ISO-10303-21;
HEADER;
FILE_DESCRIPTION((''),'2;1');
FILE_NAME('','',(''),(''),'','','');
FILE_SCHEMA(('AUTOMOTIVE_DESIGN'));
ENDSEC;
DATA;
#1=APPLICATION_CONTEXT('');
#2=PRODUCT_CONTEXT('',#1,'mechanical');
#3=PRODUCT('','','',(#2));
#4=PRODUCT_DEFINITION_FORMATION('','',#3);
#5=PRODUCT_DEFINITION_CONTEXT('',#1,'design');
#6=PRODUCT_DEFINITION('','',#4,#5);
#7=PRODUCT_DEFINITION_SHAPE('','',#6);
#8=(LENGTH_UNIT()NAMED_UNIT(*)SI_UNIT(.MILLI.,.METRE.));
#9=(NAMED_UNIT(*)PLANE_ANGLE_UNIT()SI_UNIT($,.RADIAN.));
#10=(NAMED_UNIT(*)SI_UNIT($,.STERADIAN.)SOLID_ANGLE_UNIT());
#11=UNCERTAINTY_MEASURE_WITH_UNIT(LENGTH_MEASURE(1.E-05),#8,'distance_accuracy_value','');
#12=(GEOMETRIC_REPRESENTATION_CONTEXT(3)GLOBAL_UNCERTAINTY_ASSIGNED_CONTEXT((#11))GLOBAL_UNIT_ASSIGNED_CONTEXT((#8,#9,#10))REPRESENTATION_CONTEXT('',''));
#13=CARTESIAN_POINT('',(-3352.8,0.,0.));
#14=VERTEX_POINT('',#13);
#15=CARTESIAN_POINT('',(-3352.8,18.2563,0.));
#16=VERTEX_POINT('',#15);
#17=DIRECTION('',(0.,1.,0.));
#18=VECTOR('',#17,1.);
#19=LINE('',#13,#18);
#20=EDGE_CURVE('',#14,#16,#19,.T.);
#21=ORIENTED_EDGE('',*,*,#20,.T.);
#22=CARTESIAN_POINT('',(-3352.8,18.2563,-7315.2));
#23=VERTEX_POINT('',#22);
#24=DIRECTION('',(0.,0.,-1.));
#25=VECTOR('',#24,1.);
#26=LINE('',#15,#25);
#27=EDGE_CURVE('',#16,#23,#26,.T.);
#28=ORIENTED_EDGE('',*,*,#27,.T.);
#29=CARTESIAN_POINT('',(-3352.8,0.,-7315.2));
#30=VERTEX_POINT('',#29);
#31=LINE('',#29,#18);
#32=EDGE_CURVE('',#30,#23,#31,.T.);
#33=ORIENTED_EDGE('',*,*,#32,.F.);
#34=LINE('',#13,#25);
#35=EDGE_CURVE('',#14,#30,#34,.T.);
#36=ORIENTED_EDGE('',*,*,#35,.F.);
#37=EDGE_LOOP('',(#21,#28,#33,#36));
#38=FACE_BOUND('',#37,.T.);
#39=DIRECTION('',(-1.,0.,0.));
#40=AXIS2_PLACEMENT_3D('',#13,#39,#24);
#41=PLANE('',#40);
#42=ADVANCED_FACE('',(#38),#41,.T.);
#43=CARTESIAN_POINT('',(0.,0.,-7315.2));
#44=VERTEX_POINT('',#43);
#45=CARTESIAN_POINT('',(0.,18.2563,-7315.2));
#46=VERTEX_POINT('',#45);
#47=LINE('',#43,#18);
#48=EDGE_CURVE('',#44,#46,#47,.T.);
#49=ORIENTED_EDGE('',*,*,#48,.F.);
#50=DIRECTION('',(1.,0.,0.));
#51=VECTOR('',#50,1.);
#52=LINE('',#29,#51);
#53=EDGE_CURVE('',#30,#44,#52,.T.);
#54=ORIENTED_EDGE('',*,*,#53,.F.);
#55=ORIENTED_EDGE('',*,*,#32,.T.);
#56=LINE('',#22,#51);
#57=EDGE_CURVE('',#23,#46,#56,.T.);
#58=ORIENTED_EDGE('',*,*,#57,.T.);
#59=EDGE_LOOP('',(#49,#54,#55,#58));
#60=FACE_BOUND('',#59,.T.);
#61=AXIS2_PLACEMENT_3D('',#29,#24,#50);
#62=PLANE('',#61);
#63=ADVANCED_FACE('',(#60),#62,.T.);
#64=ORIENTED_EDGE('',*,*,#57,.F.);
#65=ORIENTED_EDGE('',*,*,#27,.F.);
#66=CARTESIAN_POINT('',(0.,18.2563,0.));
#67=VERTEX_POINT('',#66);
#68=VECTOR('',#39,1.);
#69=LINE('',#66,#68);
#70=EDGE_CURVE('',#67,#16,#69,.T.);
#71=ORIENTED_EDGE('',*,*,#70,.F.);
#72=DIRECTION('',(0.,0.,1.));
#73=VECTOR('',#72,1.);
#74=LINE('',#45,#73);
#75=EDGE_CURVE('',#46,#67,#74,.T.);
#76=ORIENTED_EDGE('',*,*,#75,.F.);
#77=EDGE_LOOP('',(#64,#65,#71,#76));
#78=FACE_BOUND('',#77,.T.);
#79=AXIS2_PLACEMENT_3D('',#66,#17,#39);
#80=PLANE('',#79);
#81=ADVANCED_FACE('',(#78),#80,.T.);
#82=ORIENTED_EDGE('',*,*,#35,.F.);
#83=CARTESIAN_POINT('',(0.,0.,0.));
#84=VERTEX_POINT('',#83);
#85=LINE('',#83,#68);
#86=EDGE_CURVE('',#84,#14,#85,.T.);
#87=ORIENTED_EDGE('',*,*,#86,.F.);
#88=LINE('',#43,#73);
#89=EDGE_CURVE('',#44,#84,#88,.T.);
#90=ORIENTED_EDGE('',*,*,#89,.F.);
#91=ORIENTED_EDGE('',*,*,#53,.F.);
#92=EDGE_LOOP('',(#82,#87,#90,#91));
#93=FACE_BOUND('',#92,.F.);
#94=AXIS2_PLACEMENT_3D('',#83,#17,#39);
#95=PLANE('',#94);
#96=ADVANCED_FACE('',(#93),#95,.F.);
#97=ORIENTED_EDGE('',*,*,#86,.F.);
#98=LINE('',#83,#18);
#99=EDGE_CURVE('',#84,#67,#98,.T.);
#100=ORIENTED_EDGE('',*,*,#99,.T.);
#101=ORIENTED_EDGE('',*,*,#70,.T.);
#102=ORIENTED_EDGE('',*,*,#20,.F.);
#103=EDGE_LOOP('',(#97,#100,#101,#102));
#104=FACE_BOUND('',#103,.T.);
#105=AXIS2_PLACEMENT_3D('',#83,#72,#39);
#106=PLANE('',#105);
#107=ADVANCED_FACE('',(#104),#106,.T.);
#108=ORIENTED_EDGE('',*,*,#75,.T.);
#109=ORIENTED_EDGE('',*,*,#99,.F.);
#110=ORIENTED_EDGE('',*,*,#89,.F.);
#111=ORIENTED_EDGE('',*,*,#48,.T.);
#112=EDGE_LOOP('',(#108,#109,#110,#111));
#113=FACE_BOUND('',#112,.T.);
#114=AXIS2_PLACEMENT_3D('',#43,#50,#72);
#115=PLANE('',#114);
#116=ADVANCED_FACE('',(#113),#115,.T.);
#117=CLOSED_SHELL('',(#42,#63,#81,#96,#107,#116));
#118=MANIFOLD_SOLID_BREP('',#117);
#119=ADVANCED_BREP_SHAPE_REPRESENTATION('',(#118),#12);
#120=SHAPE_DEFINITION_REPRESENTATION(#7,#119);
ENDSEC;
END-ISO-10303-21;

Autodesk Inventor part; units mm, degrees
ref_plane "YZ Plane" through (0, 0, 0) normal (1, 0, 0) x (0, 1, 0)
ref_plane "XZ Plane" through (0, 0, 0) normal (0, 1, 0) x (-1, 0, 0)
ref_plane "XY Plane" through (0, 0, 0) normal (0, 0, 1) x (1, 0, 0)
sketch "Sketch1" plane through (0, 0, 0) normal (0, 1, 0) x (-1, 0, 0)
  line L0 (0, 0) -> (3352.8, 0)
  line L1 (3352.8, 0) -> (3352.8, -7315.2)
  line L2 (3352.8, -7315.2) -> (0, -7315.2)
  line L3 (0, -7315.2) -> (0, 0)
  dimension "d1" = 7315.2
  dimension "d2" = 3352.8
extrude "Extrusion1" add sketch "Sketch1" along normal blind 18.2563
properties part number "Subfloor" material "Wood (Birch)"
